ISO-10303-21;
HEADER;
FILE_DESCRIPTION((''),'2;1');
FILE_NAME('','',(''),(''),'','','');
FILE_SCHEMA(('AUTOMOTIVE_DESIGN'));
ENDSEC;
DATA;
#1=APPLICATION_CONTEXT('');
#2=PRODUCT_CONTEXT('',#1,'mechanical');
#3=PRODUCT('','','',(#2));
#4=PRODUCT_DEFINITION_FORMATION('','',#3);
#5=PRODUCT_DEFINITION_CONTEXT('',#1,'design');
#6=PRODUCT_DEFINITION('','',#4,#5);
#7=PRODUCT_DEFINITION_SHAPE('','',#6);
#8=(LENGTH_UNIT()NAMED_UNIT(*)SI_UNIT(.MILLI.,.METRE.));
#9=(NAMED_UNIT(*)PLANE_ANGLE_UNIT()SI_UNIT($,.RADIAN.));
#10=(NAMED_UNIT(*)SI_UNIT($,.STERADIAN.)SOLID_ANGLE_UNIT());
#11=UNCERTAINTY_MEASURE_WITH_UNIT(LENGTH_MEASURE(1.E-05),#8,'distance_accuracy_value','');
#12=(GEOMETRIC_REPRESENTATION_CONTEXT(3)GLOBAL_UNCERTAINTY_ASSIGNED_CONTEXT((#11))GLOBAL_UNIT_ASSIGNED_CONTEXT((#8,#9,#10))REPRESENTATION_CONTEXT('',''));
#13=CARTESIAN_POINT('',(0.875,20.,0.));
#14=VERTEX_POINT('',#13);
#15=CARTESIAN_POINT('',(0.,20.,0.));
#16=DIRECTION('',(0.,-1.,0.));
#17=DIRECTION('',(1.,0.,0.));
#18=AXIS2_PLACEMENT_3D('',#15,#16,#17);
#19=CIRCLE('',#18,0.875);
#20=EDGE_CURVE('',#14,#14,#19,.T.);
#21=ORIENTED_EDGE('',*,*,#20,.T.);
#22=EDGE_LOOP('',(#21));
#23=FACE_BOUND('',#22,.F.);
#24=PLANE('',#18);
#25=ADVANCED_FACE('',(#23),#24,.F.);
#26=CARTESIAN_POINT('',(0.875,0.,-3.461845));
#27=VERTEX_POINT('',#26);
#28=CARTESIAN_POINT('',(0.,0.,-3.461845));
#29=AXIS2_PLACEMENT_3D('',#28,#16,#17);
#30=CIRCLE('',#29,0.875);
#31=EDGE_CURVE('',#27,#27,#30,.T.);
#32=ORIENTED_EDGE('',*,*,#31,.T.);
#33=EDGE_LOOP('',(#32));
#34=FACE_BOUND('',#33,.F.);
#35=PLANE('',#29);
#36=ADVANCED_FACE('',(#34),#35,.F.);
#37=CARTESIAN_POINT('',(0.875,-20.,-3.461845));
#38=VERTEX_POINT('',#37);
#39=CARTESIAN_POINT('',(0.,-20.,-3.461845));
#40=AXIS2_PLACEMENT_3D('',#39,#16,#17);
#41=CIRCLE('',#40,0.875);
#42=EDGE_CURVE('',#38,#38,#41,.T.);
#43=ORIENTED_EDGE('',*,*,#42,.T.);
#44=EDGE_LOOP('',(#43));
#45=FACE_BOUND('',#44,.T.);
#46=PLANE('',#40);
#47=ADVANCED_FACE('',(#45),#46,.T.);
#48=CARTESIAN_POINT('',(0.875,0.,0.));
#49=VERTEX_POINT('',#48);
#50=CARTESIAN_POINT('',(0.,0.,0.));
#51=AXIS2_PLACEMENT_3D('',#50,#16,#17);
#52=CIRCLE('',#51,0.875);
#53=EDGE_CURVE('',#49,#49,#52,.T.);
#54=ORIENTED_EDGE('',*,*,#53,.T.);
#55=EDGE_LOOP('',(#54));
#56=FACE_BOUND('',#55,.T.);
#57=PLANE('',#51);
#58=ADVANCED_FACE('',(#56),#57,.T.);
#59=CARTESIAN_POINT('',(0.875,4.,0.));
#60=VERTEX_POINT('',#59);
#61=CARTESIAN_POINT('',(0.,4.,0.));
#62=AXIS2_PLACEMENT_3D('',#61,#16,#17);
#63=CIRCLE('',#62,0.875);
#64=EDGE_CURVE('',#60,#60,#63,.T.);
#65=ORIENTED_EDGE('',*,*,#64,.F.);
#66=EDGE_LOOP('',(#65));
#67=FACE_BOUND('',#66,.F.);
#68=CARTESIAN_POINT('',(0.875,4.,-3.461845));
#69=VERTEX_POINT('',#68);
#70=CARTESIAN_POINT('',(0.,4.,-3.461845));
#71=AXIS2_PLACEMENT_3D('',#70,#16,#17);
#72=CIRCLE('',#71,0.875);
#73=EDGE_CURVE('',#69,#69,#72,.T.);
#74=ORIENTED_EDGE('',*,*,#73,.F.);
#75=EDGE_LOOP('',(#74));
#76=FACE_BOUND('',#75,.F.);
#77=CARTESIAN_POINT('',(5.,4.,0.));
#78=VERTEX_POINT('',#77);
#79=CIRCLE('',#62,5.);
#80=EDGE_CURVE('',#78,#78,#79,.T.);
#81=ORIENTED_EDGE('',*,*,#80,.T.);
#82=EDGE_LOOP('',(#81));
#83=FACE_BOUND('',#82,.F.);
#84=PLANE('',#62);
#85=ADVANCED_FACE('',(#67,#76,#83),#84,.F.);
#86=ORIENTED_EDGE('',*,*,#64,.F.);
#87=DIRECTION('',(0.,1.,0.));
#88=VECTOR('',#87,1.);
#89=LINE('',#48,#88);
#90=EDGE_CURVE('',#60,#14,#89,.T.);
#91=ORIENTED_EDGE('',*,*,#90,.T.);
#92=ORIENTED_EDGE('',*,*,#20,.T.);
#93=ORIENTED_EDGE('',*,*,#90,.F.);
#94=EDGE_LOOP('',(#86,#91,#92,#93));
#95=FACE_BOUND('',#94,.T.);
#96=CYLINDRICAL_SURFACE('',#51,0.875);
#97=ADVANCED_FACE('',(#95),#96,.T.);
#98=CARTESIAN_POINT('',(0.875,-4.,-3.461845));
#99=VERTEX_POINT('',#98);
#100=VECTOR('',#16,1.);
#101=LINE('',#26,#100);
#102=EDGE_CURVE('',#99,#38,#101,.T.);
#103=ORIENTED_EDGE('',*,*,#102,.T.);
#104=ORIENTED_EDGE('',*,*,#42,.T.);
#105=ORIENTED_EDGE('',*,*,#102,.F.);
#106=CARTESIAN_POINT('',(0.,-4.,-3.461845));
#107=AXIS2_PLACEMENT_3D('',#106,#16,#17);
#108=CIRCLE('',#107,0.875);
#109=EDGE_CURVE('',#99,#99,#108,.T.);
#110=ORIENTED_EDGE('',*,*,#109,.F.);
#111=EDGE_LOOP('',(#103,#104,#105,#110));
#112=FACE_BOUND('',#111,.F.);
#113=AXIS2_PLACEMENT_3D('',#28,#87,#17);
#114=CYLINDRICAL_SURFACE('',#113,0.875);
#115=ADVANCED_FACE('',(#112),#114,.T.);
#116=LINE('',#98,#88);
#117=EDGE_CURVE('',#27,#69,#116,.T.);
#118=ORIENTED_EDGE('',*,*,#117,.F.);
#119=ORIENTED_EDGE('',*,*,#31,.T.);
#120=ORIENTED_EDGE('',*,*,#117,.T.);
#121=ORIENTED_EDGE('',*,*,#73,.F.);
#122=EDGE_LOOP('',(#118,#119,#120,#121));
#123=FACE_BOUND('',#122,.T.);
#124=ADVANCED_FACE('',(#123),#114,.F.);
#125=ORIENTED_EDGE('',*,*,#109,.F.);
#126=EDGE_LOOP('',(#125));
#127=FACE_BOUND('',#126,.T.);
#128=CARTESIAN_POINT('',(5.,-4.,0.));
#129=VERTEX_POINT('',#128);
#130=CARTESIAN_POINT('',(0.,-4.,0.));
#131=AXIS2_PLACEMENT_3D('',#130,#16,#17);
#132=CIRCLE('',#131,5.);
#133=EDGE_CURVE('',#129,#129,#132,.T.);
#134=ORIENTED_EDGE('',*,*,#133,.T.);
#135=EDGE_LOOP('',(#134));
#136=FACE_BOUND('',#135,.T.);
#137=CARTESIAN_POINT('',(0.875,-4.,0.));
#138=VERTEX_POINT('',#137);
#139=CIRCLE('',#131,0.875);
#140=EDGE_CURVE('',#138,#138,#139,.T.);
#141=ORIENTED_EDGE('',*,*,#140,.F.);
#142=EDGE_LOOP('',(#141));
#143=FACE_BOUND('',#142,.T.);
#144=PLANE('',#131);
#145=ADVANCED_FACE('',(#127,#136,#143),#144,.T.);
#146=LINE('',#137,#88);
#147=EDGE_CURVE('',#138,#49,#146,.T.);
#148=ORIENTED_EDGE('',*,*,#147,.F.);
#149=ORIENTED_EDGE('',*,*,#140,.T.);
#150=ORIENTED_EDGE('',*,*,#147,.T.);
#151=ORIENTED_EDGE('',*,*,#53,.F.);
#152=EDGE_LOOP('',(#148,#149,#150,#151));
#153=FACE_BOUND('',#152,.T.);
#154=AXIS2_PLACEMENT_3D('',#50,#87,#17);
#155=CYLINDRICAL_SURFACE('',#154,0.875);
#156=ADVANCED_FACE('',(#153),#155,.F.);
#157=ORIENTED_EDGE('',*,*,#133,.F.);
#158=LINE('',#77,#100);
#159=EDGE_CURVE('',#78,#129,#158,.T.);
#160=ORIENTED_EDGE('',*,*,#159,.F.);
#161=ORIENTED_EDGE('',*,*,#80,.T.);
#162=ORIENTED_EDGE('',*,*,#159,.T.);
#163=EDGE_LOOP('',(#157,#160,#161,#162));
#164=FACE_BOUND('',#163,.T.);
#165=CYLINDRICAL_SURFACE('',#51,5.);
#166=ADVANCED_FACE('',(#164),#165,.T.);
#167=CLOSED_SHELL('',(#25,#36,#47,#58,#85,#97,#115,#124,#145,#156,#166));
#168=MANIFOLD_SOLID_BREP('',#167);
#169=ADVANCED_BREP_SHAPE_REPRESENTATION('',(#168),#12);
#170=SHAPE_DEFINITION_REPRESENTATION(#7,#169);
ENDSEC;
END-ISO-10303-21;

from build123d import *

# Parameters (mm, degrees)
F0_R     = 5
F0_R_2   = 0.875
F1_DEPTH = 4
F2_DEPTH = 20
F3_DEPTH = 20


with BuildPart() as f1:
    # F0 (on Front) → F1 (new body, symmetric)
    with BuildSketch(Plane.XZ):
        Circle(F0_R)
        with Locations((0, -3.461845)):
            Circle(F0_R_2, mode=Mode.SUBTRACT)
        Circle(F0_R_2, mode=Mode.SUBTRACT)
    extrude(amount=F1_DEPTH, both=True)

    # F0 (on Front) → F2 (join)
    with BuildSketch(Plane.XZ):
        Circle(F0_R_2)
    extrude(amount=-F2_DEPTH)

    # F0 (on Front) → F3 (join)
    with BuildSketch(Plane.XZ):
        with Locations((0, -3.461845)):
            Circle(F0_R_2)
    extrude(amount=F3_DEPTH)


solid = f1.part
